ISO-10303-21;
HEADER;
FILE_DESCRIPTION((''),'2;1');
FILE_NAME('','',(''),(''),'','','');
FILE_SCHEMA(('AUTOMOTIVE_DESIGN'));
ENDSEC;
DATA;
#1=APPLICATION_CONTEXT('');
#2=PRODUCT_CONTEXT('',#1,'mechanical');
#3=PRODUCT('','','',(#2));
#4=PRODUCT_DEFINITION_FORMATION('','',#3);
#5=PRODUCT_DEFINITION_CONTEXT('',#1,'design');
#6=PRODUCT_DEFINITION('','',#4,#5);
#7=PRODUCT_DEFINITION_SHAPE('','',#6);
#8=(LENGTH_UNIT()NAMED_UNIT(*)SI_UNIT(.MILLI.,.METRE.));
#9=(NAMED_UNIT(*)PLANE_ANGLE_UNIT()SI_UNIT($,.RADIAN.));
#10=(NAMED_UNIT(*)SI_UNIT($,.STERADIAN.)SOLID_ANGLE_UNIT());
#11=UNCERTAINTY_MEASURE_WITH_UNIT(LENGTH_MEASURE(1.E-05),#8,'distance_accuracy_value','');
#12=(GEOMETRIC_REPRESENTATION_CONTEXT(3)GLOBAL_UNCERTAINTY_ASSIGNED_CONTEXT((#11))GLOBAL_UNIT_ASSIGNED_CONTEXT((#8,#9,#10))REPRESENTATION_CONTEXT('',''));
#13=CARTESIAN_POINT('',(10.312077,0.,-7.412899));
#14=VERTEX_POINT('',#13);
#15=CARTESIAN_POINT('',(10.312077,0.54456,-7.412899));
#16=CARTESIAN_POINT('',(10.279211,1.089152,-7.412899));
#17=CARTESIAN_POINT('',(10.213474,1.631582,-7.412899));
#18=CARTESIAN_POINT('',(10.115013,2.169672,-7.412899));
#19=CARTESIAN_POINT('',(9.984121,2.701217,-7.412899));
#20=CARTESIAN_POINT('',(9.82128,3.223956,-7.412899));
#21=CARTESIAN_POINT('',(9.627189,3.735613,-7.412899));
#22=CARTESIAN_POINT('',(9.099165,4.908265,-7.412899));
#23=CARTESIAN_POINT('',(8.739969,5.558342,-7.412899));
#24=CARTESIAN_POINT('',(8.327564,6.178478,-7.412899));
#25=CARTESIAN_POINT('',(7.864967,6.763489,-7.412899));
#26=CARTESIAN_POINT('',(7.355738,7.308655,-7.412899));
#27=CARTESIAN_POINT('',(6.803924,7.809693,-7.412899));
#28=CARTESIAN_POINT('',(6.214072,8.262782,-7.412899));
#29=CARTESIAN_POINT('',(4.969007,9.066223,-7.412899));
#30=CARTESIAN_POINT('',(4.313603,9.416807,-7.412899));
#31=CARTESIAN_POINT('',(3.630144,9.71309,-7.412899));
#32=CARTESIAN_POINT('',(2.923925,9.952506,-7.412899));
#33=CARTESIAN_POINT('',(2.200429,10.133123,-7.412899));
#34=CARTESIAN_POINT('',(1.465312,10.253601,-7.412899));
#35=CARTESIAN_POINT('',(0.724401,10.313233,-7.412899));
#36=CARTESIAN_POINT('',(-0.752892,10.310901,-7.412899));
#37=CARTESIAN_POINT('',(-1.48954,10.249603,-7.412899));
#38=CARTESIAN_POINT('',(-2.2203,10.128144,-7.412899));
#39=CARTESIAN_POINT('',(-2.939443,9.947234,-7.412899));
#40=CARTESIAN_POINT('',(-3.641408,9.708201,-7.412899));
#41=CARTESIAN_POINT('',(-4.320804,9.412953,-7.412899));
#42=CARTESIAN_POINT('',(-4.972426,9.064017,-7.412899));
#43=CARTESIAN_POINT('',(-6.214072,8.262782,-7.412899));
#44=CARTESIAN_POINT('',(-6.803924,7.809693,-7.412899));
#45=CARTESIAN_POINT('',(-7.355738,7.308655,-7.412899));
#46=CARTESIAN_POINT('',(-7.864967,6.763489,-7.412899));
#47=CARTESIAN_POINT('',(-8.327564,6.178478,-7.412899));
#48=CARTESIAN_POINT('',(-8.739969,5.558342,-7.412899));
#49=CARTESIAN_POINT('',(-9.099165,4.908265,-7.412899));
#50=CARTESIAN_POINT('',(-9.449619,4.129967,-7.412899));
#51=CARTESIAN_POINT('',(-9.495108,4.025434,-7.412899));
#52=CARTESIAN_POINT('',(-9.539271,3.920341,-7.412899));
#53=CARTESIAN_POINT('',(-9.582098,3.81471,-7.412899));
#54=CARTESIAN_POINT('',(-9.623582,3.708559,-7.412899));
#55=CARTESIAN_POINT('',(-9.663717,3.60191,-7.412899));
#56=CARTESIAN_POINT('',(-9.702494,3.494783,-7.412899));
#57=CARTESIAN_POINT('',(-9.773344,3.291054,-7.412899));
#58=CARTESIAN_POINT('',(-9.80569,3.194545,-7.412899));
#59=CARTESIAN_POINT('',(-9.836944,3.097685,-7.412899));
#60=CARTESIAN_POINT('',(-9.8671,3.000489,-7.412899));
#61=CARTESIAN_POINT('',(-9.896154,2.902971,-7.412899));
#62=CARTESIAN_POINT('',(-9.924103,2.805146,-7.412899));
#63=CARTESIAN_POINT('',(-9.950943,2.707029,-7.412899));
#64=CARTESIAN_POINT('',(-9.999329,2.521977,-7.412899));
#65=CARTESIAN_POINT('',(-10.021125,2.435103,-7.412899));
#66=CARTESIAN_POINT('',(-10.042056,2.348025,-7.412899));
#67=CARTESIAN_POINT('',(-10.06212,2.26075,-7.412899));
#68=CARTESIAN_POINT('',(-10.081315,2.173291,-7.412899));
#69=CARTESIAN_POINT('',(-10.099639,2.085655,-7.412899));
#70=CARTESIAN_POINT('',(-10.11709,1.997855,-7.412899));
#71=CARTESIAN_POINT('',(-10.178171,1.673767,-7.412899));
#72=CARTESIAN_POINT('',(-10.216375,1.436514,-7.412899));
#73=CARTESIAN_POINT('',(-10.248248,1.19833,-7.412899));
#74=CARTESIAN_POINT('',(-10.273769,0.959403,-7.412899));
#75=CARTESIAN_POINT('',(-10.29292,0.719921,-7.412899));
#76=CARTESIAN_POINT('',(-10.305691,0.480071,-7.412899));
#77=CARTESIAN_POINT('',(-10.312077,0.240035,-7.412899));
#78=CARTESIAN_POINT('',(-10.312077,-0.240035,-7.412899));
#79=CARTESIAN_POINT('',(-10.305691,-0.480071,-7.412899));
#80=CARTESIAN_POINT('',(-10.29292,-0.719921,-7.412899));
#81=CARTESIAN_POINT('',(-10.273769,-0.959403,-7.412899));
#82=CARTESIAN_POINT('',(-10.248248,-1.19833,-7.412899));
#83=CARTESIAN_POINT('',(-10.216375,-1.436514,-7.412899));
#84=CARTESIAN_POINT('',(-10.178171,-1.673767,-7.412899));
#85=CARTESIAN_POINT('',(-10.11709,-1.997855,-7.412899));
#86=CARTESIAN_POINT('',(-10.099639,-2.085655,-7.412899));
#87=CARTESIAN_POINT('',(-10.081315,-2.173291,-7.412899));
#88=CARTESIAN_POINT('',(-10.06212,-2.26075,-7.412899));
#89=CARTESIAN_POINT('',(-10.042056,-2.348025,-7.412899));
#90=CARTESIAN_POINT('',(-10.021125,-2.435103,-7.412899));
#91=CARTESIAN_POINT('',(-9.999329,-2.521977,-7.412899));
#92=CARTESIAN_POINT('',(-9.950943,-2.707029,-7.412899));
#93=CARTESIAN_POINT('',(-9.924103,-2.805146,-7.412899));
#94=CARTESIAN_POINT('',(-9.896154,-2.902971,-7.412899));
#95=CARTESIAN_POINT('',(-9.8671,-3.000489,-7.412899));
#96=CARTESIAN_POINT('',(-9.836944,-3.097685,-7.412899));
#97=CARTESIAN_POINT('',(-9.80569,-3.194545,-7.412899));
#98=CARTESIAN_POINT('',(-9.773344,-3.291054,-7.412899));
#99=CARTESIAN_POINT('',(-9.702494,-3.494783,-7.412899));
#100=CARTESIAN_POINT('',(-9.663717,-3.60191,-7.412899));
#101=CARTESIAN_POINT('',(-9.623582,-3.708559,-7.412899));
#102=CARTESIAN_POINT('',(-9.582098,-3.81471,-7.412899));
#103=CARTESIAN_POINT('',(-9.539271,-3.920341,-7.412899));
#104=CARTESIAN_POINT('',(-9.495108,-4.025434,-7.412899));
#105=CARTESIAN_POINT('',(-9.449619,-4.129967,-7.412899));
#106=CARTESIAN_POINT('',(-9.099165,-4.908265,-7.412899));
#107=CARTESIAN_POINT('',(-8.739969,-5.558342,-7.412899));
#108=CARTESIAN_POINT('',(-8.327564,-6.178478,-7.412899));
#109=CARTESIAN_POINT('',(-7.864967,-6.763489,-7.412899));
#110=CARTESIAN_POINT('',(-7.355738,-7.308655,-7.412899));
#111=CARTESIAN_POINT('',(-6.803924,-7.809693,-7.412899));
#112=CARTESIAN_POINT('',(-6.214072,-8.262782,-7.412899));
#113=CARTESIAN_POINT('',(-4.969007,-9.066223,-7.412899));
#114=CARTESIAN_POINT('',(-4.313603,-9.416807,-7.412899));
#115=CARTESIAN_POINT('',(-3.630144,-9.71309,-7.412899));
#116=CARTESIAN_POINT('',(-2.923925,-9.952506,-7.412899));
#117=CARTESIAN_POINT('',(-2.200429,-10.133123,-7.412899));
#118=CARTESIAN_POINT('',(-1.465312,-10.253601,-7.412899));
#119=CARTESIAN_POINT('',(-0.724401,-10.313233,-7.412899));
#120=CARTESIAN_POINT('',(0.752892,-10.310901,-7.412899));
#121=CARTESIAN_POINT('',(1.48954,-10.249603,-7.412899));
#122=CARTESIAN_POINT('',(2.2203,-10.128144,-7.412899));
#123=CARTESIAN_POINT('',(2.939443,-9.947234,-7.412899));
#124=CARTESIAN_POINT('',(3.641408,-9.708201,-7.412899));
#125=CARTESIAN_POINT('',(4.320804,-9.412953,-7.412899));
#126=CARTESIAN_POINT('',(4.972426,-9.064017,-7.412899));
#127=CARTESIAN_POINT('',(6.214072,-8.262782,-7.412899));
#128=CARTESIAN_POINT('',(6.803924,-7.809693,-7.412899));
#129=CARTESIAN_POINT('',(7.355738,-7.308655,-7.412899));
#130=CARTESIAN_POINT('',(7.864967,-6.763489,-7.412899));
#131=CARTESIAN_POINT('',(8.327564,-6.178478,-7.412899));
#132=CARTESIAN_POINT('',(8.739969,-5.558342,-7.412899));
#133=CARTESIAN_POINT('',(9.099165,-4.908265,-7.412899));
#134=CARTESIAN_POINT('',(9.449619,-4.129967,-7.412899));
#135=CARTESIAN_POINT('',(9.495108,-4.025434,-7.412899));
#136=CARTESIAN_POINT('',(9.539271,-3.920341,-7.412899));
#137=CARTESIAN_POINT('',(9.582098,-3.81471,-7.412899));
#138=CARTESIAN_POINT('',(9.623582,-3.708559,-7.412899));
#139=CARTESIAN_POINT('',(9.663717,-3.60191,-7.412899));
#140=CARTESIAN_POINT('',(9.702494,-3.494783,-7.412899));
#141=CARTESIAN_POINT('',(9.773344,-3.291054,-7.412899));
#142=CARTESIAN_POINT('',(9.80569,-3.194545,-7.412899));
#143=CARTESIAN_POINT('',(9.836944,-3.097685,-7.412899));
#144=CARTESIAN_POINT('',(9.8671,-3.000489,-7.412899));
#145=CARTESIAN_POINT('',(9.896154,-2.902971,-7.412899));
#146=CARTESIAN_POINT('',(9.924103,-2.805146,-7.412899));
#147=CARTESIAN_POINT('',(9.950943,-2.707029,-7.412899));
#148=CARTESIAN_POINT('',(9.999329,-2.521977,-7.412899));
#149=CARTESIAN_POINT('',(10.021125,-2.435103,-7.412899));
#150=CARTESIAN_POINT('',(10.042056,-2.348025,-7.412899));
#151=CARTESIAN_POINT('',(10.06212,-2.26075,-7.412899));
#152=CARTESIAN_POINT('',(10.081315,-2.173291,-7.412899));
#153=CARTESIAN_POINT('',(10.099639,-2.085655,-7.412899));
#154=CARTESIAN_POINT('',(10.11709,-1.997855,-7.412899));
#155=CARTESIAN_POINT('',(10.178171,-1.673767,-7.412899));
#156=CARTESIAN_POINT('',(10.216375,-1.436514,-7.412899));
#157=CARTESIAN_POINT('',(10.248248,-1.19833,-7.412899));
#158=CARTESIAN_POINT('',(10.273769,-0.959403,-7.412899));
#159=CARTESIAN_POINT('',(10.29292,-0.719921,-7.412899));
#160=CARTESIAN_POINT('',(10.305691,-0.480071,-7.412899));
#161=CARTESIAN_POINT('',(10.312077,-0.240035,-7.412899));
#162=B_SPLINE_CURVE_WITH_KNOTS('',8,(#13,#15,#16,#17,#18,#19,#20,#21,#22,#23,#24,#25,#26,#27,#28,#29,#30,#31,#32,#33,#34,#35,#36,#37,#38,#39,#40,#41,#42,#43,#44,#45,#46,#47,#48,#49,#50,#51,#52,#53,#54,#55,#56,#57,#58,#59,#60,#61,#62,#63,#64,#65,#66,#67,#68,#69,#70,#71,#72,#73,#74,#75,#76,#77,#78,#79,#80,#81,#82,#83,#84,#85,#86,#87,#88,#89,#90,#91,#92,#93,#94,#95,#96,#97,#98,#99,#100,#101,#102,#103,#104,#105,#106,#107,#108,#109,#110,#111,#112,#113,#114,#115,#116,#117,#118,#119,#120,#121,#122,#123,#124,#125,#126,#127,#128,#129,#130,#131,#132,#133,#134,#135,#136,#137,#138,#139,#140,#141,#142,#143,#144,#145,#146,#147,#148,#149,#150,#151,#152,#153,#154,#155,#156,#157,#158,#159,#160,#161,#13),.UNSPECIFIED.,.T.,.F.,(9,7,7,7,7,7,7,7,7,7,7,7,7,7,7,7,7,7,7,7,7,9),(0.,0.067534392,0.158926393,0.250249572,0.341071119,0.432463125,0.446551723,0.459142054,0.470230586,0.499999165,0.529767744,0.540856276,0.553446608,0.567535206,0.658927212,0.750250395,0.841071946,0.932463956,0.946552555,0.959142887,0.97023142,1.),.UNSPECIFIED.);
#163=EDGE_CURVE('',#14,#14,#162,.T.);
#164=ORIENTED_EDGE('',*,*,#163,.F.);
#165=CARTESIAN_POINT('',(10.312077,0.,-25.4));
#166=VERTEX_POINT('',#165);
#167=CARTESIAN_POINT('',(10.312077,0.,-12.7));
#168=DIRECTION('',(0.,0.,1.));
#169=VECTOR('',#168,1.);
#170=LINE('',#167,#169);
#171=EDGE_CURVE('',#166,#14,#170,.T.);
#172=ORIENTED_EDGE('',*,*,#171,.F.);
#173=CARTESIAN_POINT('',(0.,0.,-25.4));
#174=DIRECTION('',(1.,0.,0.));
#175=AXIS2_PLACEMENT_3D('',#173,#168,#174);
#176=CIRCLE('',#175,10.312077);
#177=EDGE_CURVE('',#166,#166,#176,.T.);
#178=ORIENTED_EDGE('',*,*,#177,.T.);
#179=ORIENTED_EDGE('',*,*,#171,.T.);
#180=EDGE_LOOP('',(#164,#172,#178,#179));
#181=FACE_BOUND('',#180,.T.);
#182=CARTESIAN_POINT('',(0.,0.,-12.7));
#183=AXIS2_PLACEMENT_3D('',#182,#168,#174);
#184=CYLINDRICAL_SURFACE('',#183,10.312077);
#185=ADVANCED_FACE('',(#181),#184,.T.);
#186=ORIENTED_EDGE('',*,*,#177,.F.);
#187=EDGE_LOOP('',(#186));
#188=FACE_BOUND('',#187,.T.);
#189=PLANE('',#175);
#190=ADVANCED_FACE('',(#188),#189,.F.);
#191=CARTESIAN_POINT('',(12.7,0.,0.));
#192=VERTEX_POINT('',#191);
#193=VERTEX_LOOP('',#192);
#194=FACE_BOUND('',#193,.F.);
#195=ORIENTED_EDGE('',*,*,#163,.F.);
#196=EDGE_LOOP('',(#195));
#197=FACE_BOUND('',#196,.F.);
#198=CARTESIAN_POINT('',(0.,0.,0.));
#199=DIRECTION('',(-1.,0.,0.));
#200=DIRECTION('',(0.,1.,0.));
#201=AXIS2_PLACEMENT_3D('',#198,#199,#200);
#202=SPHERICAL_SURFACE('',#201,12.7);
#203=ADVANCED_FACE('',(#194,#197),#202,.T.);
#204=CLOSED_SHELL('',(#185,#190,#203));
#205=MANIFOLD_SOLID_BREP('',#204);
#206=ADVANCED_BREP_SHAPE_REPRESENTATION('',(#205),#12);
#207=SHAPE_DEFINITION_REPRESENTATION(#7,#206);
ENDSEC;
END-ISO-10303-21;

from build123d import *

# Parameters (mm, degrees)
F2_W = 10.3120765318
F2_H = 25.4


with BuildPart() as f3:
    # F2 (on face) → F3 (revolve)
    with BuildSketch(Plane.XZ):
        with Locations((5.1560382659, -12.7)):
            Rectangle(F2_W, F2_H)
    revolve(axis=Axis((0, 0, -12.732764706), (0, 0, 1)))

    # F0 (on Top) → F4 (revolve)
    with BuildSketch(Plane.XY):
        with BuildLine():
            Line((0, 0), (12.7, 0))
            ThreePointArc((12.7, 0), (0, 12.7), (-12.7, 0))
            Line((-12.7, 0), (0, 0))
        make_face()
    revolve(axis=Axis((0.7870765318, 0, 0), (1, 0, 0)))


solid = f3.part
